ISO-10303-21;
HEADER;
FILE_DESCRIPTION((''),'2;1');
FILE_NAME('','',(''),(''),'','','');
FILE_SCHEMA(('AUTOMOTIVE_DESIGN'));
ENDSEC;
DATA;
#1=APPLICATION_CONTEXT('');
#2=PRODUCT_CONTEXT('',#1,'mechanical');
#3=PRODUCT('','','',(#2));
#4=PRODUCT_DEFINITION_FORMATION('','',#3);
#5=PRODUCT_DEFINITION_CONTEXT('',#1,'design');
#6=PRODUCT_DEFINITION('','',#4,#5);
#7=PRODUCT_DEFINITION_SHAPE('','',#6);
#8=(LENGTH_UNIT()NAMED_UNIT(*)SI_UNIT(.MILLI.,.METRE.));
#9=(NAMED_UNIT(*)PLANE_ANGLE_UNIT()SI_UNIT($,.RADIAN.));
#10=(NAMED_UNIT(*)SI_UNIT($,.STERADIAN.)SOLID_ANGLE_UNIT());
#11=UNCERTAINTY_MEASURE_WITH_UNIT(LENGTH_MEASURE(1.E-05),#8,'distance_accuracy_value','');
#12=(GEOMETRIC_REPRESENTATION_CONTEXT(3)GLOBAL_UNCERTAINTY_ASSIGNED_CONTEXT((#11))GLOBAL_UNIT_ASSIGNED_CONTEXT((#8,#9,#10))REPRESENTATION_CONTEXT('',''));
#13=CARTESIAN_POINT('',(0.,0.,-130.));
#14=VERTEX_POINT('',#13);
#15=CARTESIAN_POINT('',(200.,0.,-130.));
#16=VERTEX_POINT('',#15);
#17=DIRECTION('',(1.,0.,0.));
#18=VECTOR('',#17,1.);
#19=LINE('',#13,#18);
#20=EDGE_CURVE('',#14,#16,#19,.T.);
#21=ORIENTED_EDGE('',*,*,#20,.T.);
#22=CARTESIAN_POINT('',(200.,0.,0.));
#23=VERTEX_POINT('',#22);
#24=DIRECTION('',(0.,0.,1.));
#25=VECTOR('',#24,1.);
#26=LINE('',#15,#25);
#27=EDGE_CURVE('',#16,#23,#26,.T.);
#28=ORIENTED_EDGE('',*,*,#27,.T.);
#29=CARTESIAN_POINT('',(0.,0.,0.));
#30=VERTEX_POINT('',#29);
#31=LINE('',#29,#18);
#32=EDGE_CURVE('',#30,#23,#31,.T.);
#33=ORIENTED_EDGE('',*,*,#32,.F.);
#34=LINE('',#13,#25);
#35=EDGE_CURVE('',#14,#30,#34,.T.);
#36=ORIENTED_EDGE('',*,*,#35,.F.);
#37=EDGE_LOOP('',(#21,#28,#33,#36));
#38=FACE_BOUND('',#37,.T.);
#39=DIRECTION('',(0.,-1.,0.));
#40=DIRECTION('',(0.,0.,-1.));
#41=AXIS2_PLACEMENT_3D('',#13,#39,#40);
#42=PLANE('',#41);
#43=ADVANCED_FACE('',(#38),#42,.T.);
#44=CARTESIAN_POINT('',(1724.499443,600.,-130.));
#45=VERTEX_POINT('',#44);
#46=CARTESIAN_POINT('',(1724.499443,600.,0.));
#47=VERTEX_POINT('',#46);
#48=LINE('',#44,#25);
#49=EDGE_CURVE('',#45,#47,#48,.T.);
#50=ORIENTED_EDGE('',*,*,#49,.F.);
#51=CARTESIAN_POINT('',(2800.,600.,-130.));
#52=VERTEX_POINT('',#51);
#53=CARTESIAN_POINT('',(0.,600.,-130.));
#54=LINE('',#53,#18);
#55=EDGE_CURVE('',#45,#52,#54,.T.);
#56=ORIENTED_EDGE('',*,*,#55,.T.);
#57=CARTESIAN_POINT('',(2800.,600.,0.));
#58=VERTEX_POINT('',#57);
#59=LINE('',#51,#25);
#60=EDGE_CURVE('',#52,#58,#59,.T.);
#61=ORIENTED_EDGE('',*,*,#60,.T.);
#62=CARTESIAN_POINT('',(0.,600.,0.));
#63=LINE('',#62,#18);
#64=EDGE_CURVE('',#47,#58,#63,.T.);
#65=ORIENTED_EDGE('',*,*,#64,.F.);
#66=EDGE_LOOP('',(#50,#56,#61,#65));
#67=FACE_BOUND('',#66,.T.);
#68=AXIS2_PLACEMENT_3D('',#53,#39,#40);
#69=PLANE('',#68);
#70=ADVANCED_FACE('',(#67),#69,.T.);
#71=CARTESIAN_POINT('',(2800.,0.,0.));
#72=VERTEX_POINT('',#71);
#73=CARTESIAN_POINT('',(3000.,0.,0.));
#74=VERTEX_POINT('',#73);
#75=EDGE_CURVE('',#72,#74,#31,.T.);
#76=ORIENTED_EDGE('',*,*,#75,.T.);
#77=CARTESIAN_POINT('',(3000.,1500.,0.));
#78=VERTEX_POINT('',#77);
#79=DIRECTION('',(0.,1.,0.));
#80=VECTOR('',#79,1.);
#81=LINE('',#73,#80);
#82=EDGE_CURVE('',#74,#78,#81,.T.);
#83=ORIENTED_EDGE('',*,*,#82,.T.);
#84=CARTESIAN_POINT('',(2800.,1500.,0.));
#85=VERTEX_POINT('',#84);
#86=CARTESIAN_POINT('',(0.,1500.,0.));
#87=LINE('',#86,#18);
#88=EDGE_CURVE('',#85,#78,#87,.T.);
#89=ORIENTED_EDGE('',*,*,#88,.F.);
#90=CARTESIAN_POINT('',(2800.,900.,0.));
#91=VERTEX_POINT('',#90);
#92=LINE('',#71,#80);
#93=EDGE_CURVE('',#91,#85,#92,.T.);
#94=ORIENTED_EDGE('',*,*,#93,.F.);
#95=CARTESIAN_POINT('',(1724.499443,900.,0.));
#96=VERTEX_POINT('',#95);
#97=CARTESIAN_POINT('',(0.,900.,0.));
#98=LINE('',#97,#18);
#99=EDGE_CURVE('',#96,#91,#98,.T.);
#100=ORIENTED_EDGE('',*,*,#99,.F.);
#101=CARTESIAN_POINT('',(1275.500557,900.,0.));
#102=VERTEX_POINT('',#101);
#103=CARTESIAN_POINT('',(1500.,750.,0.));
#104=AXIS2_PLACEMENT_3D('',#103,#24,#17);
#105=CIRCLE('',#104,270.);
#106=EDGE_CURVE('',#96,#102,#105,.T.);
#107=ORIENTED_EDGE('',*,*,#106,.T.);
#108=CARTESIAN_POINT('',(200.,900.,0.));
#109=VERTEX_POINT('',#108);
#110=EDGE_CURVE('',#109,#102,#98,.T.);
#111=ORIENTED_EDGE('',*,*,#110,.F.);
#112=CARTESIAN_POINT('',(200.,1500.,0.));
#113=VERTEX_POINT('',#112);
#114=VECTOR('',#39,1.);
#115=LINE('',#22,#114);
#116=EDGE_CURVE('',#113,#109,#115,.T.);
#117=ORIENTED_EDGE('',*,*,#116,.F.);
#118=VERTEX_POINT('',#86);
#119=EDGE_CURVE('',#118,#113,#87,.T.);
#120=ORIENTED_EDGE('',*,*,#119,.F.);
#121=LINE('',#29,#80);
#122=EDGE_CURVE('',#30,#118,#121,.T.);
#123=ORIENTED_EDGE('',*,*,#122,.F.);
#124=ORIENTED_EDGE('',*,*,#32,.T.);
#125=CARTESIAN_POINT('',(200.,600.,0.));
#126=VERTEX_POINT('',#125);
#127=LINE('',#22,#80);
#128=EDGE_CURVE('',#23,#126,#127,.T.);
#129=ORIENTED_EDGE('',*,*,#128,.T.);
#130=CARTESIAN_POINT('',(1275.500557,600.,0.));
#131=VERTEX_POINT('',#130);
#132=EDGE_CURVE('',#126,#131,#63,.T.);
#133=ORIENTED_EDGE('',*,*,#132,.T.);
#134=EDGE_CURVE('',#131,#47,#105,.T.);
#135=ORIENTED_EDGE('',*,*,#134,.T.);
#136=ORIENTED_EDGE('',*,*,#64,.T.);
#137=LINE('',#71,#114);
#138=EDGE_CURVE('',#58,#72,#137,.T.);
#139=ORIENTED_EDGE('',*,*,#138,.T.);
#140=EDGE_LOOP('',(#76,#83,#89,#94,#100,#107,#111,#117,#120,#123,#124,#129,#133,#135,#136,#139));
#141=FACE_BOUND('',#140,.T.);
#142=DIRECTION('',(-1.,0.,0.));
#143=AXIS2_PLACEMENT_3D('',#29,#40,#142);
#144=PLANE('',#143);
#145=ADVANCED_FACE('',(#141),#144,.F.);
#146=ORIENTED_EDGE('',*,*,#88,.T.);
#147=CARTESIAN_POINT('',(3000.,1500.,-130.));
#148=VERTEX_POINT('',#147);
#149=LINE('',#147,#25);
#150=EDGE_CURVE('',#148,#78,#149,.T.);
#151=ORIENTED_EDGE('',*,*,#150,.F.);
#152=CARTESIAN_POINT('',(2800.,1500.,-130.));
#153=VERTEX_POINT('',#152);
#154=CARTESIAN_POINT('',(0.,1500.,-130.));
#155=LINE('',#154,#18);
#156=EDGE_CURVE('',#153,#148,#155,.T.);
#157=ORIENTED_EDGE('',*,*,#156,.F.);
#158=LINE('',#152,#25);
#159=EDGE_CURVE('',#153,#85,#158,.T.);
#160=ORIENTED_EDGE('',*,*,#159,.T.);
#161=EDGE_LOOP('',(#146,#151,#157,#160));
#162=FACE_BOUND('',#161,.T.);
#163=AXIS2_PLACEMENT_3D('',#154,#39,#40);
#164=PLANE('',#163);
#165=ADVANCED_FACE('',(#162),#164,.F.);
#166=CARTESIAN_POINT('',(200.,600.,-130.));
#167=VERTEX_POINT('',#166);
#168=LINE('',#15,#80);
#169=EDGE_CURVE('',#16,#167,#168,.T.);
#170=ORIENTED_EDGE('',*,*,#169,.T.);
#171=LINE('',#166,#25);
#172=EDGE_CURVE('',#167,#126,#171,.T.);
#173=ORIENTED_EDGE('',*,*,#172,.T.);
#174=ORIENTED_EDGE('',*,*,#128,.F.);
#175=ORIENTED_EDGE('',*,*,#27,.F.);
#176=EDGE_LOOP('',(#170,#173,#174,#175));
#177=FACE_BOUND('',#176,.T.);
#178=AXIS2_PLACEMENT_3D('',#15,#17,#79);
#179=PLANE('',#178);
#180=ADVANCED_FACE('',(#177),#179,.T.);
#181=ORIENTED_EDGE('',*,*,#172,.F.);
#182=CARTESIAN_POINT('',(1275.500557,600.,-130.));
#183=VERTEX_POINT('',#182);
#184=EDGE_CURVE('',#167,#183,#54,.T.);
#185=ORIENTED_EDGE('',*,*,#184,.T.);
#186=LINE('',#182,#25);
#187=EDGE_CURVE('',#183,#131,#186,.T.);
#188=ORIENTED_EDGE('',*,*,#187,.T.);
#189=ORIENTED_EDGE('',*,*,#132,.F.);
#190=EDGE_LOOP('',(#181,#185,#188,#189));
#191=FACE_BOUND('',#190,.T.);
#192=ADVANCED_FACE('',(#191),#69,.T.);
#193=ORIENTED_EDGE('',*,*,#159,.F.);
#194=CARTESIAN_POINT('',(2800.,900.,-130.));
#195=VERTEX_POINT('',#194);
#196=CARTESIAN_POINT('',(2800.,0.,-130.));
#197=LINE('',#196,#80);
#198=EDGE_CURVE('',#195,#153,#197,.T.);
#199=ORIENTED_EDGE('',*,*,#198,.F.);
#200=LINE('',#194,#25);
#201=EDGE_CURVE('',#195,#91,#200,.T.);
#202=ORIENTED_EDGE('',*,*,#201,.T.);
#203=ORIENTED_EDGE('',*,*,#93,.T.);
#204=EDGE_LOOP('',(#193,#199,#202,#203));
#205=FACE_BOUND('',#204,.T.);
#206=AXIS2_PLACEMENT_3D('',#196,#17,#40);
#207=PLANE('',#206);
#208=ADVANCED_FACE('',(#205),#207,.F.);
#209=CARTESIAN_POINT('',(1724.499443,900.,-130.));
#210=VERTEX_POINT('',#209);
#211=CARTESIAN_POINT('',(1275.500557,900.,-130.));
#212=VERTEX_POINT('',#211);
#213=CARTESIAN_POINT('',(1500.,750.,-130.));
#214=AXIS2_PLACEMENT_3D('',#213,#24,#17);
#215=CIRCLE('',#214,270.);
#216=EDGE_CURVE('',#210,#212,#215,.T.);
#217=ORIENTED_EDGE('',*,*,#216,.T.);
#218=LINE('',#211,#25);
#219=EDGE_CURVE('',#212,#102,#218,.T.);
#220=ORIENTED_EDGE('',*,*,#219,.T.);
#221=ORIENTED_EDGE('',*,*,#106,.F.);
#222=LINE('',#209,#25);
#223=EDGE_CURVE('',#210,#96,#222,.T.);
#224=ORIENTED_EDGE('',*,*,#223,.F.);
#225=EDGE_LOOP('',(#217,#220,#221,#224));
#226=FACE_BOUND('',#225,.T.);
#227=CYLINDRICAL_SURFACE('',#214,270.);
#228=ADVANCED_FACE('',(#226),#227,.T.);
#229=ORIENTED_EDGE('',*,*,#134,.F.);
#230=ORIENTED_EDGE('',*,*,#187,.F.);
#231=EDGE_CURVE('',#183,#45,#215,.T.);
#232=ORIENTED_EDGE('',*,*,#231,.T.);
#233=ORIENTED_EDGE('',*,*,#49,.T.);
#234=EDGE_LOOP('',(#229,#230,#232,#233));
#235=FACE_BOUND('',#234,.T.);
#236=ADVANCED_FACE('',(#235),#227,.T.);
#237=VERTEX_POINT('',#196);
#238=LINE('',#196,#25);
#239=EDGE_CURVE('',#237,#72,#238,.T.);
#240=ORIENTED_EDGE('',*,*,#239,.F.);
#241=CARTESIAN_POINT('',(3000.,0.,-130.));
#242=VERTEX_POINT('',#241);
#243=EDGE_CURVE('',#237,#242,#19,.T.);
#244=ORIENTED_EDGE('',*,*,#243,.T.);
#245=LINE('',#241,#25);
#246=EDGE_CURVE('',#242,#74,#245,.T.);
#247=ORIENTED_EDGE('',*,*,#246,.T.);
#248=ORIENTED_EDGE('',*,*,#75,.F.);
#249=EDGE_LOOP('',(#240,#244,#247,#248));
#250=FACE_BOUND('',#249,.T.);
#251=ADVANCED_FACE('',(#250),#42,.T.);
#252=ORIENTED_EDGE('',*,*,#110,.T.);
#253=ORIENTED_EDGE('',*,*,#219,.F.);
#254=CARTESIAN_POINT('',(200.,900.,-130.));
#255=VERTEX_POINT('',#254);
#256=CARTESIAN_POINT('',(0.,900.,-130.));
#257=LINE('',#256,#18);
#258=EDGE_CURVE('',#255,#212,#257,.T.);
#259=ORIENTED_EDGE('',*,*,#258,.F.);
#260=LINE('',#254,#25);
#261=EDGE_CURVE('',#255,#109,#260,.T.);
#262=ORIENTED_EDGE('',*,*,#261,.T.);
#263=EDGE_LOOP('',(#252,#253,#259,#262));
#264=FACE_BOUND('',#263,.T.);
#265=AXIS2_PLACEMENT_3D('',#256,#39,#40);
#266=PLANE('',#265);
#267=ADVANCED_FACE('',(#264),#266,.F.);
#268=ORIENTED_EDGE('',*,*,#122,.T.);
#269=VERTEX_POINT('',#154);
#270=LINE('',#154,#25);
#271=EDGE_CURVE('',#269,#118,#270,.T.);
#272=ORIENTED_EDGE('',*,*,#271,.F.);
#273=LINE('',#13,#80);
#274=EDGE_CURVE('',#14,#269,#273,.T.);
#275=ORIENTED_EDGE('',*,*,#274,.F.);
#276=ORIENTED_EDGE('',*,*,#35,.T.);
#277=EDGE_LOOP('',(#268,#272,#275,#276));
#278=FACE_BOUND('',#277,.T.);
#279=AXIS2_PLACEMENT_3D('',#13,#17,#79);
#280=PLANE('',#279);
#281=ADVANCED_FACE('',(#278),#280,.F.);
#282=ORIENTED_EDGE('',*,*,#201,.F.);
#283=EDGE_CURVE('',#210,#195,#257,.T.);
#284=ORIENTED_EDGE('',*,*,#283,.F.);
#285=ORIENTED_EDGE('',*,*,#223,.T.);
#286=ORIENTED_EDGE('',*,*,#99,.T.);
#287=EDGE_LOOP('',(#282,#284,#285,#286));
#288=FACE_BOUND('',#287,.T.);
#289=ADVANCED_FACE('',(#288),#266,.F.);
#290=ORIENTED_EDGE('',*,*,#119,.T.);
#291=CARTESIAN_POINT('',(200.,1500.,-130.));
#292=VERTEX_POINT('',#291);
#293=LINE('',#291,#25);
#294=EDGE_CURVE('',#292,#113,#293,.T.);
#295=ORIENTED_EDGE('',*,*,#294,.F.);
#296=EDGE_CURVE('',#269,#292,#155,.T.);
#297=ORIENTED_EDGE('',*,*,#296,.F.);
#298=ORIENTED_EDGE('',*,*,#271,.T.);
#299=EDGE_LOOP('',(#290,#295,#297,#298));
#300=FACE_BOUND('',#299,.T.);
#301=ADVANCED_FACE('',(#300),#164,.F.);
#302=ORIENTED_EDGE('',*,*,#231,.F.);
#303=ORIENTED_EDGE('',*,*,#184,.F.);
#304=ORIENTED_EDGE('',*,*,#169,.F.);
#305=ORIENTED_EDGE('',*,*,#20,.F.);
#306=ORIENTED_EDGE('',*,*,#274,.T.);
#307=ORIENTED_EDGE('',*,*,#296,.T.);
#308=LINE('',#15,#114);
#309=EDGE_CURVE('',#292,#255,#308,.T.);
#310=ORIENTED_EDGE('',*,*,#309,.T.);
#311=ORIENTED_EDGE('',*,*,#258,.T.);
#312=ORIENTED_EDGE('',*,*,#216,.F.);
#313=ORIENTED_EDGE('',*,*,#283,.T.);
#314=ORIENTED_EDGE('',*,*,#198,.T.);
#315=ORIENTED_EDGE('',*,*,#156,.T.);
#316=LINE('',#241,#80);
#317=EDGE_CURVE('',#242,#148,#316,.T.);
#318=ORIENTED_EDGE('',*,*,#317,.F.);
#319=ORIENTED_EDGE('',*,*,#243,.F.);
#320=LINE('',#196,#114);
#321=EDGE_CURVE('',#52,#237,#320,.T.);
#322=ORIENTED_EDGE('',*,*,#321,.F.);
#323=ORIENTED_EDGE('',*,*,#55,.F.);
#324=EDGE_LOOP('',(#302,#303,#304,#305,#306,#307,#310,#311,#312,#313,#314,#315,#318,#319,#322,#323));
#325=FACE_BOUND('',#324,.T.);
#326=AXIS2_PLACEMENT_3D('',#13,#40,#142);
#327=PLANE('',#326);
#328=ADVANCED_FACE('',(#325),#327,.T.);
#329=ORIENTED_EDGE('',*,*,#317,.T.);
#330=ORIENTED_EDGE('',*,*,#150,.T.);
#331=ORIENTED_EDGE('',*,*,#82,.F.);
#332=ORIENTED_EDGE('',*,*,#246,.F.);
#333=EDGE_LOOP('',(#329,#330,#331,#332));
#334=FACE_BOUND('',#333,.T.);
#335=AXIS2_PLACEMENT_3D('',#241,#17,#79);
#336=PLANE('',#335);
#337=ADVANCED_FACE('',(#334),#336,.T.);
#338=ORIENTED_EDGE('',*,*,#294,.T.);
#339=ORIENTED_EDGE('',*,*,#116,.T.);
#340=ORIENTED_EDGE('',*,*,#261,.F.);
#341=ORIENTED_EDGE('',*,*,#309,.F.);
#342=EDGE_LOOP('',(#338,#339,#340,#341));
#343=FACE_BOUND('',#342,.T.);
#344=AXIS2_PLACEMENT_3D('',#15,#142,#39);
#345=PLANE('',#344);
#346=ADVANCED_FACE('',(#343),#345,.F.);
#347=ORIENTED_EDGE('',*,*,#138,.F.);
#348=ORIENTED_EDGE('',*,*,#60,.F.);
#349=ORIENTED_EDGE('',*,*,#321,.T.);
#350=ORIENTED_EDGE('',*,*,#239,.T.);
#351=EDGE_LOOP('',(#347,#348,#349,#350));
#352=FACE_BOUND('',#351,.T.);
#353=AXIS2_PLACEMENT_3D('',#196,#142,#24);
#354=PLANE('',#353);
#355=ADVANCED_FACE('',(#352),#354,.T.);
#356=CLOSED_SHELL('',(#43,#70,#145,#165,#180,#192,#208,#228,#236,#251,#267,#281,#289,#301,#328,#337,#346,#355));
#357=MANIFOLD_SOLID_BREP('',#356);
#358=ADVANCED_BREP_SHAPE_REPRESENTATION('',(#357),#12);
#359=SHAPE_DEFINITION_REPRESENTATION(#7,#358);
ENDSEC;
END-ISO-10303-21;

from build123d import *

# Parameters (mm, degrees)
ESQUISSE1_W             = 3000
ESQUISSE1_H             = 1500
BOSS_EXTRU_1_DEPTH      = 130
ENL_V_MAT_EXTRU_1_DEPTH = 130


with BuildPart() as part:
    # Esquisse1 → Boss.-Extru.1 (new body)
    with BuildSketch(Plane.XY):
        with Locations((1500, 750)):
            Rectangle(ESQUISSE1_W, ESQUISSE1_H)
    extrude(amount=-BOSS_EXTRU_1_DEPTH)

    # Esquisse4 → Enlèv. mat.-Extru.1 (cut)
    with BuildSketch(Plane.XY):
        with BuildLine():
            Line((200, 900), (1275.500556794, 900))
            ThreePointArc((1275.500556794, 900), (1500, 1020), (1724.499443206, 900))
            Line((1724.499443206, 900), (2800, 900))
            Line((2800, 900), (2800, 1500))
            Line((2800, 1500), (200, 1500))
            Line((200, 1500), (200, 900))
        make_face()
        with BuildLine():
            Line((200, 600), (200, 0))
            Line((200, 0), (2800, 0))
            Line((2800, 0), (2800, 600))
            Line((2800, 600), (1724.499443206, 600))
            ThreePointArc((1724.499443206, 600), (1500, 480), (1275.500556794, 600))
            Line((1275.500556794, 600), (200, 600))
        make_face()
    extrude(amount=-ENL_V_MAT_EXTRU_1_DEPTH, mode=Mode.SUBTRACT)


solid = part.part
